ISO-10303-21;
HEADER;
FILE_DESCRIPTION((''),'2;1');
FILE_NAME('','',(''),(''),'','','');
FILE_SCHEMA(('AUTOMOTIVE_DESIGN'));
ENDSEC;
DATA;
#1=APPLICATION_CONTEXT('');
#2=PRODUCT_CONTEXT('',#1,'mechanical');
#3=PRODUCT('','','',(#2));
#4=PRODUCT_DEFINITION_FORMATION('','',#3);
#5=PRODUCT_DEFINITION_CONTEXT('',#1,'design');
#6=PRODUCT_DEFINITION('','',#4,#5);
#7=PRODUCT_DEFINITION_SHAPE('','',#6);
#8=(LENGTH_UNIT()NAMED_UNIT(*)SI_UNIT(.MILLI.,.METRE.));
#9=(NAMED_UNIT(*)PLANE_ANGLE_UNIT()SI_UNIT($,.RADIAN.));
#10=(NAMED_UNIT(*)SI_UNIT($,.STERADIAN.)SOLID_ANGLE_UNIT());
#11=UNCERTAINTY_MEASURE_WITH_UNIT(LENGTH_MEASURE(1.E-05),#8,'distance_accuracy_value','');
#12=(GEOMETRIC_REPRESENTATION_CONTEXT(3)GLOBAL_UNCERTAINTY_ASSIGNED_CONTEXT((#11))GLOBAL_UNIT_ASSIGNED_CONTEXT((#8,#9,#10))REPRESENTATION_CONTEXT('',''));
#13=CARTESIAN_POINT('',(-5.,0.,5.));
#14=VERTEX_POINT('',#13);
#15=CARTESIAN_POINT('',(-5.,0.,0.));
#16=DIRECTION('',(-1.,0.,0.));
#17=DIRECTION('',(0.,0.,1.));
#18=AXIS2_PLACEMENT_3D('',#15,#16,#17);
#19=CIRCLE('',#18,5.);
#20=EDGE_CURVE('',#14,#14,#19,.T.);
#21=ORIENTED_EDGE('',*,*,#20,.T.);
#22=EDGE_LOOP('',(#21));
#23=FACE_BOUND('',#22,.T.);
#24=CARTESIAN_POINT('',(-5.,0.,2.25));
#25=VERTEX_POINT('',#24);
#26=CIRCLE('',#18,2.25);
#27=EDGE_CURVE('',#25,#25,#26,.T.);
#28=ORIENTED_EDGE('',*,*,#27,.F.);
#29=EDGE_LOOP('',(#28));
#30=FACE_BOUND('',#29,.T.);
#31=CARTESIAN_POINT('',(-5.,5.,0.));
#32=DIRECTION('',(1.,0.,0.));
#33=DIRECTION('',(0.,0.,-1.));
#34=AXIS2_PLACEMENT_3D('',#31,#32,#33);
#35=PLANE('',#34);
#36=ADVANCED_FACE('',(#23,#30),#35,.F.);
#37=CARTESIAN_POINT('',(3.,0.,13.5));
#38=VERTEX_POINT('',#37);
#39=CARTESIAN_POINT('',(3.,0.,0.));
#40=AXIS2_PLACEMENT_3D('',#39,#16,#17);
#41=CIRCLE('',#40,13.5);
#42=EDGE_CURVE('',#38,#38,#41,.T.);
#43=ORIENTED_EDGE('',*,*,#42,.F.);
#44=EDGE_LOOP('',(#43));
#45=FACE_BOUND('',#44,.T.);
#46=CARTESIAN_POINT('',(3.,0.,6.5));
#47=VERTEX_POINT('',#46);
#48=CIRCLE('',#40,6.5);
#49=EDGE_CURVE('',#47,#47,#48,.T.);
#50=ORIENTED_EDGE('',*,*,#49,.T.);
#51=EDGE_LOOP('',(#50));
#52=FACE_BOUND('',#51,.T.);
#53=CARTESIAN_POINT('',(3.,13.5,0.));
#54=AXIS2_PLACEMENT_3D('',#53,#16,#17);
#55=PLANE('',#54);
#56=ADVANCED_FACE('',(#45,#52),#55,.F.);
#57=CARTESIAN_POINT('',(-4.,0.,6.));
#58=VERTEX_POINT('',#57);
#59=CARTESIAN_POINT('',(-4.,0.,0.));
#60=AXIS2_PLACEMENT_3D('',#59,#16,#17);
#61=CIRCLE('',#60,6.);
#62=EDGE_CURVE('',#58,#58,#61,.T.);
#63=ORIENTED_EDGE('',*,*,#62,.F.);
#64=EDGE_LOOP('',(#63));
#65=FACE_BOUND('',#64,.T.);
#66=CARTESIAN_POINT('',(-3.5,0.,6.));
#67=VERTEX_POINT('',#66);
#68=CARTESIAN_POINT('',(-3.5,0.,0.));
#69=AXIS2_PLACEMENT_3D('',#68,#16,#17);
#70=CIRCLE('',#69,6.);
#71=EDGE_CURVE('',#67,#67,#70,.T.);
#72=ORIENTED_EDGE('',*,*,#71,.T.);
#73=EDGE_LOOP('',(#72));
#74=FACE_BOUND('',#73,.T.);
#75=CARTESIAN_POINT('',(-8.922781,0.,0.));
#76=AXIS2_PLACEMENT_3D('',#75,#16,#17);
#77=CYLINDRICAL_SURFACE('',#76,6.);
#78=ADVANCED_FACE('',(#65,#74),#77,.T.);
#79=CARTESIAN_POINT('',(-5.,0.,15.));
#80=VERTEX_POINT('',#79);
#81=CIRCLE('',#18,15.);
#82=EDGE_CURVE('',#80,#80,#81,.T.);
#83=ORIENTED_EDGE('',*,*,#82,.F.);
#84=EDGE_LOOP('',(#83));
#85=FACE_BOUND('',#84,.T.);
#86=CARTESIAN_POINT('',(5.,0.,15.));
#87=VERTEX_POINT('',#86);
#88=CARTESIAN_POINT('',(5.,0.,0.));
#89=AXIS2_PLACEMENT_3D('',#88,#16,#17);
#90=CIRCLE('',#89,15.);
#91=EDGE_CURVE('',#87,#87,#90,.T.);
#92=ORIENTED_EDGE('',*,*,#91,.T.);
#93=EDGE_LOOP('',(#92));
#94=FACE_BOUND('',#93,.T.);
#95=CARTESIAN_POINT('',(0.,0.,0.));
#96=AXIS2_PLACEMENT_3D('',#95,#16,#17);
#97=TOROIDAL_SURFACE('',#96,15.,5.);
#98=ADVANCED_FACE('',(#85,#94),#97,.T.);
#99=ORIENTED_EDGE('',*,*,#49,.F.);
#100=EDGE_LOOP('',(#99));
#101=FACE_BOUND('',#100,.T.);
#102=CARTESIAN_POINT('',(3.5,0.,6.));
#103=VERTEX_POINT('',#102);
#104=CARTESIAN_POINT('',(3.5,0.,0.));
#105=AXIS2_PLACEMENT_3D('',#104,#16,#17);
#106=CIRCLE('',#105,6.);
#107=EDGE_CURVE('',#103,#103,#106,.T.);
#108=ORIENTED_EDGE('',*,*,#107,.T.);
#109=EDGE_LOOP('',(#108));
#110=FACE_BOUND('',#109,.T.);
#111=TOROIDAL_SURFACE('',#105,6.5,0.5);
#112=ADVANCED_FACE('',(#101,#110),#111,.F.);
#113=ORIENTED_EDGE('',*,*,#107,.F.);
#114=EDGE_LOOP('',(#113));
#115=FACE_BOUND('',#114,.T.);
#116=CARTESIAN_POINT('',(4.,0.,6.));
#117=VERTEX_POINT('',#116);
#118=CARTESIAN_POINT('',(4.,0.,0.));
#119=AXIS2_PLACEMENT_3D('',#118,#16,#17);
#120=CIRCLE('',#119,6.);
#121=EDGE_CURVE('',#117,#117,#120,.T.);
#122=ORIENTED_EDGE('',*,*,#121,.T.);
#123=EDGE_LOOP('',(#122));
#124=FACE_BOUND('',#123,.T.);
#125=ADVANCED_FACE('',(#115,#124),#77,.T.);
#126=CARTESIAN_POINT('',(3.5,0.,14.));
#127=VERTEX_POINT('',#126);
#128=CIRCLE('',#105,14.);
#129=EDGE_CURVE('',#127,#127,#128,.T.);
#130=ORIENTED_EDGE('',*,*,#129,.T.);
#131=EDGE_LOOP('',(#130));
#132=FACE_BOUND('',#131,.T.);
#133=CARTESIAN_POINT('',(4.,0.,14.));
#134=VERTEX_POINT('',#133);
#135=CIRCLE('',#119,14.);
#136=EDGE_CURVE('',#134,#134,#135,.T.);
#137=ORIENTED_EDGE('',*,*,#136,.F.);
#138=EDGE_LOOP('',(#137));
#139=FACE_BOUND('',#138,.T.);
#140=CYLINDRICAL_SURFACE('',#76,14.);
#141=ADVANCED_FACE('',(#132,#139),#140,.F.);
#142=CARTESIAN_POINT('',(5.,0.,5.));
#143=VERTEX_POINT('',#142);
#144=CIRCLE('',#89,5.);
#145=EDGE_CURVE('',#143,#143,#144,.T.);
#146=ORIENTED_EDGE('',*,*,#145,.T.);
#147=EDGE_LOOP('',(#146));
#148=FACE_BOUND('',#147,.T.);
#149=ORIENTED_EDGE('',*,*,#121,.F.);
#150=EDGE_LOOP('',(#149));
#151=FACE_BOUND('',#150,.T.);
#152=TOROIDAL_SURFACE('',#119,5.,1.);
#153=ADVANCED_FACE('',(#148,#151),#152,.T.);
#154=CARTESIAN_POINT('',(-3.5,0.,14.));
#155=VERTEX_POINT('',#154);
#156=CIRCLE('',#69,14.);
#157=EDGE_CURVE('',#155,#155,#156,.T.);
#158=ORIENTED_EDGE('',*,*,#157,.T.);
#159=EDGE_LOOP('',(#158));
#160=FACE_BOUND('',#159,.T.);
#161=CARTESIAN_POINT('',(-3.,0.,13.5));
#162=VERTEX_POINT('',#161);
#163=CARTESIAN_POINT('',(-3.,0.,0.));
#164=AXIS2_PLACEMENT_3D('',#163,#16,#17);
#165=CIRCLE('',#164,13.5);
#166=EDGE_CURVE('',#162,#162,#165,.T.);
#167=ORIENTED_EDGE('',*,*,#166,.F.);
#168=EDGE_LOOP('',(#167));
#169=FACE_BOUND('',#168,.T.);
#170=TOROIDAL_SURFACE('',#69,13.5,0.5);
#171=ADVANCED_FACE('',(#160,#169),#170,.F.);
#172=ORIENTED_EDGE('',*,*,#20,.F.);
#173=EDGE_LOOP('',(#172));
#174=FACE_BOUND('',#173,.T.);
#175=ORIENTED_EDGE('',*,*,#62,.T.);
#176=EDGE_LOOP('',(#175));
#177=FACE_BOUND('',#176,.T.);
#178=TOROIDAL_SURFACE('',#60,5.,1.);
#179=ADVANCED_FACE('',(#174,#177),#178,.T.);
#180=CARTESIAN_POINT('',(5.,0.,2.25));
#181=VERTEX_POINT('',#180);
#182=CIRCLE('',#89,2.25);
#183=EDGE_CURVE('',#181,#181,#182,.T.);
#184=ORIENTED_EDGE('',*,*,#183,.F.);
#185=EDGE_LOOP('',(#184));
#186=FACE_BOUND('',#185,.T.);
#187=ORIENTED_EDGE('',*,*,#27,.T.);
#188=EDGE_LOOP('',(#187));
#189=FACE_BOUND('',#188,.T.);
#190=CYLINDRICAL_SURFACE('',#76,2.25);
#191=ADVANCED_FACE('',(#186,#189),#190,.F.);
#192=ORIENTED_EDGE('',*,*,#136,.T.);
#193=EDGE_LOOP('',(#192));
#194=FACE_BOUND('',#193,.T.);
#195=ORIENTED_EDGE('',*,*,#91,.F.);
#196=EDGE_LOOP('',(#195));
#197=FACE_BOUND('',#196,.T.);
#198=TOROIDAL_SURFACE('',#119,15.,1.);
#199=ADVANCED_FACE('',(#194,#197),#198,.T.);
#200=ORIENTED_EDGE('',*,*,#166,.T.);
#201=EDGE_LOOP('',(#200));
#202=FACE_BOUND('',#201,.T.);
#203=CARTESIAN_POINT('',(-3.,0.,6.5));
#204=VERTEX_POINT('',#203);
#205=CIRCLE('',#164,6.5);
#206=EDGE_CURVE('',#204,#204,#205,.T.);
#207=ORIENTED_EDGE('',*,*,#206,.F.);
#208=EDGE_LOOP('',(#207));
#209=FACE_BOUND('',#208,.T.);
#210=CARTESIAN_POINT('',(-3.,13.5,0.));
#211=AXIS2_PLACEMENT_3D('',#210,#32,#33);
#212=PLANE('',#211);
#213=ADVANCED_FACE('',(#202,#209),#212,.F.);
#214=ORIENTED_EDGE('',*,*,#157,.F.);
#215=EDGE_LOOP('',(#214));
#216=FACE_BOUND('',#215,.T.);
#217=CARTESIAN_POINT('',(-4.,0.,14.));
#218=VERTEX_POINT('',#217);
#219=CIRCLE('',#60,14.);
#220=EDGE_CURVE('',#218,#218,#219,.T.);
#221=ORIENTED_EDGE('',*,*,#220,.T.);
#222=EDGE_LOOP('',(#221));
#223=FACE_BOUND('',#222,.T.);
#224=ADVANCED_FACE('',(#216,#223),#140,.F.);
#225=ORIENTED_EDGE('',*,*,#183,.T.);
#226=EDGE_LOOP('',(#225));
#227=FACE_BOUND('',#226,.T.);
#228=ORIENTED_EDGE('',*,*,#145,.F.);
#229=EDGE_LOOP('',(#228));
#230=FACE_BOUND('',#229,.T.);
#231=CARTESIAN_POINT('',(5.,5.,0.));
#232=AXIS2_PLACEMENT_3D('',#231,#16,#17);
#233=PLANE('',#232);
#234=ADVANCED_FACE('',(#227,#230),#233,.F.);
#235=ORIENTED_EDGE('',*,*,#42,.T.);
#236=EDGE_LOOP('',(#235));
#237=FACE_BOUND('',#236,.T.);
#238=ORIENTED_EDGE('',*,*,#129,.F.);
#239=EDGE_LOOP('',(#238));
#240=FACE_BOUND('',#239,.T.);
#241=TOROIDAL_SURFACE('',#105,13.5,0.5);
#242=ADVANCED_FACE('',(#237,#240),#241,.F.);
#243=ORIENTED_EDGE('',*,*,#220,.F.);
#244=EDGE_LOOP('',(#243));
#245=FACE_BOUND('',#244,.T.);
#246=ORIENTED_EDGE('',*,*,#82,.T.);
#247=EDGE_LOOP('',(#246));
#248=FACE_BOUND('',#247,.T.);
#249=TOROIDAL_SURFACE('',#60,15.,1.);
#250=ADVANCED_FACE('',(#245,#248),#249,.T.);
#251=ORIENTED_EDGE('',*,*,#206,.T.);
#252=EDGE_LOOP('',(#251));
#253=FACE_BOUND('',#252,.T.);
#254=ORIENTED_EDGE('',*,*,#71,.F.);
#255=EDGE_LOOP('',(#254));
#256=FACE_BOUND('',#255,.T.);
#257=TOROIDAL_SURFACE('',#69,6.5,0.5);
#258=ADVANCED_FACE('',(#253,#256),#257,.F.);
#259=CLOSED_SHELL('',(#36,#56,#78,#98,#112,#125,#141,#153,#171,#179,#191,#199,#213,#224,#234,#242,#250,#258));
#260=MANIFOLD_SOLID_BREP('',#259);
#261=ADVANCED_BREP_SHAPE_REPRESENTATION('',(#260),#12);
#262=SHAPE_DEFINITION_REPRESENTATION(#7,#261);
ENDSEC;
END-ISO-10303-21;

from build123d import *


with BuildPart() as part:
    # Sketch1 → Revolve1 (revolve)
    with BuildSketch(Plane.XY, mode=Mode.PRIVATE) as revolve1_sk:
        with BuildLine():
            Line((-4, 14), (-3.5, 14))
            ThreePointArc((-3.5, 14), (-3.146446609, 13.853553391), (-3, 13.5))
            Line((-3, 13.5), (-3, 6.5))
            ThreePointArc((-3, 6.5), (-3.146446609, 6.146446609), (-3.5, 6))
            Line((-3.5, 6), (-4, 6))
            ThreePointArc((-4, 6), (-4.707106781, 5.707106781), (-5, 5))
            Line((-5, 5), (-5, 2.25))
            Line((-5, 2.25), (5, 2.25))
            Line((5, 2.25), (5, 5))
            ThreePointArc((5, 5), (4.707106781, 5.707106781), (4, 6))
            Line((4, 6), (3.5, 6))
            ThreePointArc((3.5, 6), (3.146446609, 6.146446609), (3, 6.5))
            Line((3, 6.5), (3, 13.5))
            ThreePointArc((3, 13.5), (3.146446609, 13.853553391), (3.5, 14))
            Line((3.5, 14), (4, 14))
            ThreePointArc((4, 14), (4.707106781, 14.292893219), (5, 15))
            ThreePointArc((5, 15), (0, 20), (-5, 15))
            ThreePointArc((-5, 15), (-4.707106781, 14.292893219), (-4, 14))
        make_face()
    revolve(revolve1_sk.sketch.rotate(Axis((-8.922780681, 0, 0), (1, 0, 0)), 90), axis=Axis((-8.922780681, 0, 0), (1, 0, 0)))


solid = part.part
